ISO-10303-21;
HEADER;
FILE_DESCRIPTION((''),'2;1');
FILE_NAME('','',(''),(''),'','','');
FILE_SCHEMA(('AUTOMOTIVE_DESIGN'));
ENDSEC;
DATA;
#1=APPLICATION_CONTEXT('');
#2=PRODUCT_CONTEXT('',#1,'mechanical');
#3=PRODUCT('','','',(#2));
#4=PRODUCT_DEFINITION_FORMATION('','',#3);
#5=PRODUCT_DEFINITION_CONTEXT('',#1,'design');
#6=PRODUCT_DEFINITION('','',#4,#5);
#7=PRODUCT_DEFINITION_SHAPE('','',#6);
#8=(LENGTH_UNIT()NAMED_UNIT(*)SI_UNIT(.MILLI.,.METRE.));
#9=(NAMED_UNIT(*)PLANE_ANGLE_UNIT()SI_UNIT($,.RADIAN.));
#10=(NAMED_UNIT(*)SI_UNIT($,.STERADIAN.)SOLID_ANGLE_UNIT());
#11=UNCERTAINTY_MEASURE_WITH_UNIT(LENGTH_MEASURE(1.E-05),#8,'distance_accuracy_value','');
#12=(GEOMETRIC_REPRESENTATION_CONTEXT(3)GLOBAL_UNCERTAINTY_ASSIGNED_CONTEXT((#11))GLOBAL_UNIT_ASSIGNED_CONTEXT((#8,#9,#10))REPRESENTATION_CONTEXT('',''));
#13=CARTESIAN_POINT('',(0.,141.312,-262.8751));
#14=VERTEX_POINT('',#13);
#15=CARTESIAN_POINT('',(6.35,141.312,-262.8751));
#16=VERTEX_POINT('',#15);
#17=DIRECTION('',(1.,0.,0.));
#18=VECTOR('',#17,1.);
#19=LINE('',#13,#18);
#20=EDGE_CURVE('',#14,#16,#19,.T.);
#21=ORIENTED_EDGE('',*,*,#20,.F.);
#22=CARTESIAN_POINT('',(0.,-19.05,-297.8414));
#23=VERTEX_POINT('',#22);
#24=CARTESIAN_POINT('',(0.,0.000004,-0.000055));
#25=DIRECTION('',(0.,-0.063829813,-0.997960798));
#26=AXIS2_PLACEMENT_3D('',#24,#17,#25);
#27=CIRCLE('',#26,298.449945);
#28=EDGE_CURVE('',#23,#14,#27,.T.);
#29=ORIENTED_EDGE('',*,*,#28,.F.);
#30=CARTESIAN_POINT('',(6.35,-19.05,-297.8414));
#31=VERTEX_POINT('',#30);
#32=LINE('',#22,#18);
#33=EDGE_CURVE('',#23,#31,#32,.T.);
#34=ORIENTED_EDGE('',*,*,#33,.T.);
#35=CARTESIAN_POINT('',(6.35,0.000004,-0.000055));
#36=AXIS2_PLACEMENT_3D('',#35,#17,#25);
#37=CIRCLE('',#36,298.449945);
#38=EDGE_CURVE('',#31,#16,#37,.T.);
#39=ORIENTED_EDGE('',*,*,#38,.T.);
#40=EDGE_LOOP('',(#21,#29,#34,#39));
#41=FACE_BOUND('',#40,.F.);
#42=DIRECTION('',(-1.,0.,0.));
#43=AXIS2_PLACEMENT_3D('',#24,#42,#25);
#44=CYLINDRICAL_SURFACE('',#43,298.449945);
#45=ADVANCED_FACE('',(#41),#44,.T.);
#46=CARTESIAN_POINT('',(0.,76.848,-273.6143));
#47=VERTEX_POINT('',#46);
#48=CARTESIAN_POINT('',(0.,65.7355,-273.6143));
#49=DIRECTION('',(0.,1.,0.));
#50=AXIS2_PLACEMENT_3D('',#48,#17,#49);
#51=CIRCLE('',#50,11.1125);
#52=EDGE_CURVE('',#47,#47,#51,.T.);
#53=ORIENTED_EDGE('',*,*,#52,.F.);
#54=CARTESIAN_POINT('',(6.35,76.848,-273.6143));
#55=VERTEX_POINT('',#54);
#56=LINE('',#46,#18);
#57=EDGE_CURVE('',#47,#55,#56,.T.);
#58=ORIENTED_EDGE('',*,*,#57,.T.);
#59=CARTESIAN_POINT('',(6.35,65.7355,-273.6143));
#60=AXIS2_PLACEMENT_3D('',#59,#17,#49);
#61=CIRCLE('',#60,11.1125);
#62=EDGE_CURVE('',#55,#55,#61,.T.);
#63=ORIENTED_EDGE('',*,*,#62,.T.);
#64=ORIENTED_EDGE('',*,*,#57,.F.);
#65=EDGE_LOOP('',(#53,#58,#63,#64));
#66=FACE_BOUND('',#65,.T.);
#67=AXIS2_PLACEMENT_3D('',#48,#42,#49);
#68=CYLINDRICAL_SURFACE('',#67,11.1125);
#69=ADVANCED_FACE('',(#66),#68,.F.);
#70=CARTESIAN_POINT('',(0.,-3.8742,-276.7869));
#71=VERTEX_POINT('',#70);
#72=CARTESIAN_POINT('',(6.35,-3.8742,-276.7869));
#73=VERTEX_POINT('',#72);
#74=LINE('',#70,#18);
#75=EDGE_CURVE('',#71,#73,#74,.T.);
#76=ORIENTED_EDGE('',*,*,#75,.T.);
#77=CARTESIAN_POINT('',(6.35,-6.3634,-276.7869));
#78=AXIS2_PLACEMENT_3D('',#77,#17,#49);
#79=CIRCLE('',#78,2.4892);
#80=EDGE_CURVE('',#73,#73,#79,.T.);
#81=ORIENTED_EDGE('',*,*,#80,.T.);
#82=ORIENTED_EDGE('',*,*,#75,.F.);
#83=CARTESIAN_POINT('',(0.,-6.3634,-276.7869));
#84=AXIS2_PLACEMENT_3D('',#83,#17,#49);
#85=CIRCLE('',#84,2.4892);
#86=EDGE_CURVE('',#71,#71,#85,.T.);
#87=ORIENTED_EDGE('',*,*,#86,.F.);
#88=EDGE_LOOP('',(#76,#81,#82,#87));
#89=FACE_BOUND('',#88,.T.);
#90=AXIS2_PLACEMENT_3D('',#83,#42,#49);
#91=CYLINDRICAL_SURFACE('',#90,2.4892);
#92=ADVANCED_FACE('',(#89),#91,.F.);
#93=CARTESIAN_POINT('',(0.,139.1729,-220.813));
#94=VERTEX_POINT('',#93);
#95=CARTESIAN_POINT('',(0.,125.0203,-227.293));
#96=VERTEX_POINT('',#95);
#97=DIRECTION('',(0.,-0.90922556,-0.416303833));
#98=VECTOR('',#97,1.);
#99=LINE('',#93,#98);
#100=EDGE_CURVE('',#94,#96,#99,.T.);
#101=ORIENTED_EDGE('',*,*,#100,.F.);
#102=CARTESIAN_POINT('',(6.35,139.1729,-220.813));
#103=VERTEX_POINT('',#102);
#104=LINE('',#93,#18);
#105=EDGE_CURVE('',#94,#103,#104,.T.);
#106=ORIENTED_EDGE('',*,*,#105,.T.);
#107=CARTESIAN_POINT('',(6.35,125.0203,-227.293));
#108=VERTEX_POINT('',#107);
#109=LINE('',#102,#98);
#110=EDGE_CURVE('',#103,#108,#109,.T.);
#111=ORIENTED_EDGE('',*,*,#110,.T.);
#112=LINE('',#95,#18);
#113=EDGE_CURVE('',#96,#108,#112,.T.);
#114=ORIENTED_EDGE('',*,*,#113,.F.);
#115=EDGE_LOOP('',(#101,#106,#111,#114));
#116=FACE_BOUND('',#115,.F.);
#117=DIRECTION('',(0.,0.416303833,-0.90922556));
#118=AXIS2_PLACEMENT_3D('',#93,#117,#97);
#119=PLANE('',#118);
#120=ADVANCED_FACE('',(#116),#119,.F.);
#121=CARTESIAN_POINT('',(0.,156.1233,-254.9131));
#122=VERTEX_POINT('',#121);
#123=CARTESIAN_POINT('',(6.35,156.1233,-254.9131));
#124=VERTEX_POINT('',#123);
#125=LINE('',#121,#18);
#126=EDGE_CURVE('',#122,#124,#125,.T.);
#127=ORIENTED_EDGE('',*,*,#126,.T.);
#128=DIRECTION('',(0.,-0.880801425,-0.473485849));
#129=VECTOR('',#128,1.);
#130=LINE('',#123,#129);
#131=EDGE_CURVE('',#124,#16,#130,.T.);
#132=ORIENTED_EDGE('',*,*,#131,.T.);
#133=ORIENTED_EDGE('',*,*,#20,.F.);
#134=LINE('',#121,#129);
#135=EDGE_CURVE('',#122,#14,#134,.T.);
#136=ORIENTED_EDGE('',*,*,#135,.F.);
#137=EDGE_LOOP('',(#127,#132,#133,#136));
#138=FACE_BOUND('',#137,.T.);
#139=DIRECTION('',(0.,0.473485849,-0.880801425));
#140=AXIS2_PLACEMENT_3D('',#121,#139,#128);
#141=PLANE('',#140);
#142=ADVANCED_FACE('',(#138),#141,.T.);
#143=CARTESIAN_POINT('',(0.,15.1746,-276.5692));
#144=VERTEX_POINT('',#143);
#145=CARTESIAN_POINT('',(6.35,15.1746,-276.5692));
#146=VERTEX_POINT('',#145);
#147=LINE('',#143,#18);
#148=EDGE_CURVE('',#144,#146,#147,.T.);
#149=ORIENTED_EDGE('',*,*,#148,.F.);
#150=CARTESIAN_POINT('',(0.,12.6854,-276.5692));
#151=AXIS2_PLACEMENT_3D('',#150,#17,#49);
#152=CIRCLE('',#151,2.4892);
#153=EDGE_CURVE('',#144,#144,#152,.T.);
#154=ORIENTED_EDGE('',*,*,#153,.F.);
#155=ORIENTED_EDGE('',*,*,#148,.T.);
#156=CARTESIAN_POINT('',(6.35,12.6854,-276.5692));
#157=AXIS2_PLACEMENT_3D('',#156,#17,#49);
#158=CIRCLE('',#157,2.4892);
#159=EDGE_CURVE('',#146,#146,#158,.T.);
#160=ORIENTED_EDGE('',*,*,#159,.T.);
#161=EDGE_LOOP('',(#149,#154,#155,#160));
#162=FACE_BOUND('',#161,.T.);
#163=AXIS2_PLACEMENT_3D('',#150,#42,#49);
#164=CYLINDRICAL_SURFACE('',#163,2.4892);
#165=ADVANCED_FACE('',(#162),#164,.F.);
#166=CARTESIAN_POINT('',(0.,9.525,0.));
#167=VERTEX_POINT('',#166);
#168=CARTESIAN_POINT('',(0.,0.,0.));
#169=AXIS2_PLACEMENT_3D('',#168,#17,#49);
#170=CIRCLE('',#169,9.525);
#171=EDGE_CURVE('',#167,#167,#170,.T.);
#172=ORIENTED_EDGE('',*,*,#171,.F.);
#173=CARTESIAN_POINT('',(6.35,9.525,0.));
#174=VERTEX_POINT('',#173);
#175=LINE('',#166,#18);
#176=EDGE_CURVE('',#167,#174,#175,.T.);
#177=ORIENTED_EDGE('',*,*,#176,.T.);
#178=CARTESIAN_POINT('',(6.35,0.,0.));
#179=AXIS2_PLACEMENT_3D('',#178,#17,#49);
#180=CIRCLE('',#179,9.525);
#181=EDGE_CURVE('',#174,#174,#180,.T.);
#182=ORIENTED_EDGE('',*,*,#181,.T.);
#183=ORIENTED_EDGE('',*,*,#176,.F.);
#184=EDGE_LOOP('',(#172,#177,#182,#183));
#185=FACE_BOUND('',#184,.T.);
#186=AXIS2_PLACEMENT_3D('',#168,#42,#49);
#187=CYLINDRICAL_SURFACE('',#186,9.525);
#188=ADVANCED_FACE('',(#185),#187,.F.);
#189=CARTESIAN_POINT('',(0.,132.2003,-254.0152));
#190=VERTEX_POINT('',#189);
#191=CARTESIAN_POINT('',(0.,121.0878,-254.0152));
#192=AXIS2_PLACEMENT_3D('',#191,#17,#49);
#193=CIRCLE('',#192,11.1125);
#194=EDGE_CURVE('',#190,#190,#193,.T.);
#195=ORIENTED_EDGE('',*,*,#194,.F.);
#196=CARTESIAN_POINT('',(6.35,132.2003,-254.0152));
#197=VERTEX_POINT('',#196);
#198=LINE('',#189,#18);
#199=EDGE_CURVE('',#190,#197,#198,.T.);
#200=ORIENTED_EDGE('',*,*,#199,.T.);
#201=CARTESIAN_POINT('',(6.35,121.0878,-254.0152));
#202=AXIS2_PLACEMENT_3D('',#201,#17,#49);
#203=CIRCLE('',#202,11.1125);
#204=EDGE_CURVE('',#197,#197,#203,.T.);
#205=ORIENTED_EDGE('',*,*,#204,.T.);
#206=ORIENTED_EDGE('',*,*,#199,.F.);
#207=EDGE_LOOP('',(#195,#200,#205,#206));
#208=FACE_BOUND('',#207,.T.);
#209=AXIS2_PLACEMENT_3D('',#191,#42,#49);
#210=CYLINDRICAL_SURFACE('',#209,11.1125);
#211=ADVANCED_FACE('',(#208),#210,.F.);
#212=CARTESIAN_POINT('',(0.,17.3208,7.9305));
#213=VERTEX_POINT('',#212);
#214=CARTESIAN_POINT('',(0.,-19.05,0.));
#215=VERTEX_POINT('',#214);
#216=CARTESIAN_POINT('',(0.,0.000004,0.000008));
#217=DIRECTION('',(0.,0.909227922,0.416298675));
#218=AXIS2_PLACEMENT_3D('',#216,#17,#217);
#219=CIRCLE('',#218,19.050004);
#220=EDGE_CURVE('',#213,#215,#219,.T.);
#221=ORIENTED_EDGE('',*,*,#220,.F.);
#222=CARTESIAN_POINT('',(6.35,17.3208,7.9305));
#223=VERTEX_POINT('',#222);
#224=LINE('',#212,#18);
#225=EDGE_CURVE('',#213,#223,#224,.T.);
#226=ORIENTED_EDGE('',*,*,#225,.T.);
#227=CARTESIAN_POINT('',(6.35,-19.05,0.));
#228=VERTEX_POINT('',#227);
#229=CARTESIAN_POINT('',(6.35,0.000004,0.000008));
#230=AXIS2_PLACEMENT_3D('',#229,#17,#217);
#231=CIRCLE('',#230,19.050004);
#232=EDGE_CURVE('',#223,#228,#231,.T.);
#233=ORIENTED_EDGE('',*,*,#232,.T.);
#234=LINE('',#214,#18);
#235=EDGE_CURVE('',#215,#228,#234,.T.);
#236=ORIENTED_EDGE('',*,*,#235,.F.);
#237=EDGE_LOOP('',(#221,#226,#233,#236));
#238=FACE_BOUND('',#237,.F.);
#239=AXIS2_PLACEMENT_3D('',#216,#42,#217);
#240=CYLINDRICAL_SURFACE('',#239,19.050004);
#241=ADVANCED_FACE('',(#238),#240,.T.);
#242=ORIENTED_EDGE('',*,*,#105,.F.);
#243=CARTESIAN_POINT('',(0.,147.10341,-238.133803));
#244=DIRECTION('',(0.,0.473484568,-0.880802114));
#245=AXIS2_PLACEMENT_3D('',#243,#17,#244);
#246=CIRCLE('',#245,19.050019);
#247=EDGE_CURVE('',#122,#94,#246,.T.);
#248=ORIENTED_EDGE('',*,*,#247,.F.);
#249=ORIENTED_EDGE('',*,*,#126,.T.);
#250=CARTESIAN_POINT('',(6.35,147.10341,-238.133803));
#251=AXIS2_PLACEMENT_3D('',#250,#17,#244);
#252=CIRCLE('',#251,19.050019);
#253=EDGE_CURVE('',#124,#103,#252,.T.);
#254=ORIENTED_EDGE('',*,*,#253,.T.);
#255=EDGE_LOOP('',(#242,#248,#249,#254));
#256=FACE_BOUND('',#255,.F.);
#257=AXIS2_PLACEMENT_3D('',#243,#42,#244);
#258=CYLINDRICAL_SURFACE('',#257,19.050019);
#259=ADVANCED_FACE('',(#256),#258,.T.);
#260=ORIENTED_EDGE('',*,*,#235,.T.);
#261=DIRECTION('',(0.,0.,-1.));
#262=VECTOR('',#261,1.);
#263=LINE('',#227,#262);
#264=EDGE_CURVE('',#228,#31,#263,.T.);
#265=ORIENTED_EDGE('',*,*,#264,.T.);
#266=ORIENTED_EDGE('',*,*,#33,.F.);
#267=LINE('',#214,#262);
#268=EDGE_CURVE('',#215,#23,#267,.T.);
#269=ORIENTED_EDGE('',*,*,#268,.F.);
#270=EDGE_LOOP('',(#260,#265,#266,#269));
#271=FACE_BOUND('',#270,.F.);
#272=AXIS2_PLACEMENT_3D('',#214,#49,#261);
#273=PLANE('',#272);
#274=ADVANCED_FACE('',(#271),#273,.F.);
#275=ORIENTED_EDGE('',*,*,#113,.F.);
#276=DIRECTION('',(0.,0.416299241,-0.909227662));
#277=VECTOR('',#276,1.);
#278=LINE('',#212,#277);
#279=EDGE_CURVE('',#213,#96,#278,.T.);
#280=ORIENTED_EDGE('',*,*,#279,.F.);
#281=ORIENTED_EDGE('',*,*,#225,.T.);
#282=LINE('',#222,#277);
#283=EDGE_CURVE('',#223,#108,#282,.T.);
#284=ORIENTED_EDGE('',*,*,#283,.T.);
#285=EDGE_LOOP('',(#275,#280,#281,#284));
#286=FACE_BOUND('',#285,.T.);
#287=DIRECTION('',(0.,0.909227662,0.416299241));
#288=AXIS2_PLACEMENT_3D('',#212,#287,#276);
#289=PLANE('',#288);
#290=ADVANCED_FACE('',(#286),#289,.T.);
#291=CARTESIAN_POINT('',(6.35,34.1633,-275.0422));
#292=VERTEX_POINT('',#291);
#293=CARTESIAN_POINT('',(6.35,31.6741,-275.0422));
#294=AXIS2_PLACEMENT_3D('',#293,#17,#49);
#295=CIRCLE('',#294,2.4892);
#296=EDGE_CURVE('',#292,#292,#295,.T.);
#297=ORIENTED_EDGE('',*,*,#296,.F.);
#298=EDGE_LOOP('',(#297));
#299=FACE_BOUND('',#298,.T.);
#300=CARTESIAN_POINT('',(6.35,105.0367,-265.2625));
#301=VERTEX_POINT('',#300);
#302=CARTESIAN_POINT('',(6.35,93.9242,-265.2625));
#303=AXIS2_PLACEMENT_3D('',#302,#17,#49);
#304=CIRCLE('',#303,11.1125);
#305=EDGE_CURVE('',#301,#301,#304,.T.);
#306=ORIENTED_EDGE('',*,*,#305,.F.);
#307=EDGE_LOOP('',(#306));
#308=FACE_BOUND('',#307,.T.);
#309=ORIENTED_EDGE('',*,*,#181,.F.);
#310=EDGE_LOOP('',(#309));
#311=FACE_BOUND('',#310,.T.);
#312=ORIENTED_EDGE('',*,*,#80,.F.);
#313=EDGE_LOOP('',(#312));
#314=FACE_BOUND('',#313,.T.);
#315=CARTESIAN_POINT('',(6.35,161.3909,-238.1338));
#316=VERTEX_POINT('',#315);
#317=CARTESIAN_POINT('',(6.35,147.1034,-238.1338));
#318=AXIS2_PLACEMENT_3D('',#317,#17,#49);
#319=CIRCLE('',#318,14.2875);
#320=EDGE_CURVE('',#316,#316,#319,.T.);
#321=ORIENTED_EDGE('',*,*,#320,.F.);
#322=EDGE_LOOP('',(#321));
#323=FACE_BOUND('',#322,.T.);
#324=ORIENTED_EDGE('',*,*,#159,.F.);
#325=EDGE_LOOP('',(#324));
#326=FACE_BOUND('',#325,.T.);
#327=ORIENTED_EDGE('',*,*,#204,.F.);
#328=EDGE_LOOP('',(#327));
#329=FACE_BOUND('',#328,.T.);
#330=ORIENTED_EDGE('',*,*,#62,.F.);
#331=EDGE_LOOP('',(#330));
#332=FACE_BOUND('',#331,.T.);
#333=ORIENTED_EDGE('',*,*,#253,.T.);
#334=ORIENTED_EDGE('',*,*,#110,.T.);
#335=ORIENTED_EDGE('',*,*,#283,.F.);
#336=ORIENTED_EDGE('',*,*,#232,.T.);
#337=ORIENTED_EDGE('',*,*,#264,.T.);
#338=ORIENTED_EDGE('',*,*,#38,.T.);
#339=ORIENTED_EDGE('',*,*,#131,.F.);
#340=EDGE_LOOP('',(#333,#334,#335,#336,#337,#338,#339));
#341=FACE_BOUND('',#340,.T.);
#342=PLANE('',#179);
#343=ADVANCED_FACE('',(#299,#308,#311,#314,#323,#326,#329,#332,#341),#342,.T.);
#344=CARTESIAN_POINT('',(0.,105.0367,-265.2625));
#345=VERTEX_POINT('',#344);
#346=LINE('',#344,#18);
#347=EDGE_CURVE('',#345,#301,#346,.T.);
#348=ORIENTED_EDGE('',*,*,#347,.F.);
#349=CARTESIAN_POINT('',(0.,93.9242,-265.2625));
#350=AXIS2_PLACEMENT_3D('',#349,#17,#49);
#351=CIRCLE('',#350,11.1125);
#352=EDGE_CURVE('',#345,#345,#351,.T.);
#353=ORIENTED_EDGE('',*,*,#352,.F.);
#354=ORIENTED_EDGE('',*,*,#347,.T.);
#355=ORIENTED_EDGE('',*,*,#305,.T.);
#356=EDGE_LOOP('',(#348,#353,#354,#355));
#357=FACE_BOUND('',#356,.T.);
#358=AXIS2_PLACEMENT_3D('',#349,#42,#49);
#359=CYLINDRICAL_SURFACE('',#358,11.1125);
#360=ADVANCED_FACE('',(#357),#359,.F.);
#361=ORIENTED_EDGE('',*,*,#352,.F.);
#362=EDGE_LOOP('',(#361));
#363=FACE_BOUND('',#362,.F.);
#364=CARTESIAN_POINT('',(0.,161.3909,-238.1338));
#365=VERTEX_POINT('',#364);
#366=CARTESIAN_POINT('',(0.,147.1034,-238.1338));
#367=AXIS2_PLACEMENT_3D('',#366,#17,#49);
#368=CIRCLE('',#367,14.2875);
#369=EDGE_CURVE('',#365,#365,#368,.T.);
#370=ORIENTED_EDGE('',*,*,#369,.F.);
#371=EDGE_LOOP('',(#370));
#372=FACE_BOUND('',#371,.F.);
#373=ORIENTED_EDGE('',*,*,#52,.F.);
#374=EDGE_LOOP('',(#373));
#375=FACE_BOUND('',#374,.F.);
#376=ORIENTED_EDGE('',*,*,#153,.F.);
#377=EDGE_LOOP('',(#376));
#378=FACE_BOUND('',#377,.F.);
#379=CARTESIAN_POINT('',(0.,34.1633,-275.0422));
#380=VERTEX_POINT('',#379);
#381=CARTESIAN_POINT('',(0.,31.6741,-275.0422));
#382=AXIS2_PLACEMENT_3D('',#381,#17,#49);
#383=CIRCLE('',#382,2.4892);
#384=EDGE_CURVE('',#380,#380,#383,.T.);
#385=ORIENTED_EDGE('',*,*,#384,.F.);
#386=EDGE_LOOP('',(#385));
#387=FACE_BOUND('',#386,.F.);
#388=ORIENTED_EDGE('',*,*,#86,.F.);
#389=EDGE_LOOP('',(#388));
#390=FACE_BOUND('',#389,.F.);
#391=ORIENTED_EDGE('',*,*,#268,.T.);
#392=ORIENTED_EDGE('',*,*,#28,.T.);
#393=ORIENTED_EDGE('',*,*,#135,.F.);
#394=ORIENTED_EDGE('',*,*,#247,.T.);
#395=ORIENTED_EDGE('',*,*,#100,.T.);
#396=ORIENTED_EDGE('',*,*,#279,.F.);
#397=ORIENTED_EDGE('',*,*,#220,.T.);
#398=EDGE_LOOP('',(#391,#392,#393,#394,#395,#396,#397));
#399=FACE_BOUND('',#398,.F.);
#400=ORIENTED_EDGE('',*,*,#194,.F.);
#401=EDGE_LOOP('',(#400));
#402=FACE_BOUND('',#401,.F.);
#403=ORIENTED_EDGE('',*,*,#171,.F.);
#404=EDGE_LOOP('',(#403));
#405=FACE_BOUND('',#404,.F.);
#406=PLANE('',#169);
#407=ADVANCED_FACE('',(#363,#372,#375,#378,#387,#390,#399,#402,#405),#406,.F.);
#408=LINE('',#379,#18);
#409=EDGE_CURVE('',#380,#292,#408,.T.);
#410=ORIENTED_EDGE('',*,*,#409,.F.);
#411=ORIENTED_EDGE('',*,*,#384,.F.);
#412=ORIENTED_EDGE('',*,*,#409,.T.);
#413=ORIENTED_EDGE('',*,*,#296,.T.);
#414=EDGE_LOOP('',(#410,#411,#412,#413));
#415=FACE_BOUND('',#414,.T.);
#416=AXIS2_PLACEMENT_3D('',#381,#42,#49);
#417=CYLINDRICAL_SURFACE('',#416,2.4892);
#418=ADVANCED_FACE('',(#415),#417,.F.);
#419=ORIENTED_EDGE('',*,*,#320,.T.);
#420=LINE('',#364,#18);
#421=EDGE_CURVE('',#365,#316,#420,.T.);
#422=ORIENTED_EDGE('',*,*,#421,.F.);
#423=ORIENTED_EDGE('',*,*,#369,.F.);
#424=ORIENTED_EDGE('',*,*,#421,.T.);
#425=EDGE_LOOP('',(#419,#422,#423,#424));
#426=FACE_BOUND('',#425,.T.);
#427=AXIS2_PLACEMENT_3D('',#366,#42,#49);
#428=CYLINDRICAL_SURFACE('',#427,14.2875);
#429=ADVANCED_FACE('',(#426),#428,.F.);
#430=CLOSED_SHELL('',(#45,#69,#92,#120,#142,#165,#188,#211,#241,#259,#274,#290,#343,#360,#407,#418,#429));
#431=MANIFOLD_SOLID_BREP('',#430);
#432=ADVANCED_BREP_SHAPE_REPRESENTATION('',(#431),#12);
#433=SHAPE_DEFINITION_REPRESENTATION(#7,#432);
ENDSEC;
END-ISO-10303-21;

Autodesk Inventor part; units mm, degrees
ref_plane "YZ Plane" through (0, 0, 0) normal (1, 0, 0) x (0, 1, 0)
ref_plane "XZ Plane" through (0, 0, 0) normal (0, 1, 0) x (-1, 0, 0)
ref_plane "XY Plane" through (0, 0, 0) normal (0, 0, 1) x (1, 0, 0)
sketch "Sketch1" plane through (0, 0, 0) normal (1, 0, 0) x (0, 1, 0)
  circle A0 centre (0, 0) radius 9.525
  arc A1 (-25.1608, -265.5105) -> (128.0642, -233.9411) centre (0, 0) ccw construction
  arc A2 (17.3208, 7.9305) -> (-19.05, 0) centre (0, 0) ccw
  line L0 (-19.05, 0) -> (-19.05, -297.8414)
  circle A3 centre (121.0878, -254.0152) radius 14.7 construction
  circle A4 centre (93.9242, -265.2625) radius 14.7 construction
  circle A5 centre (65.7355, -273.6143) radius 14.7 construction
  circle A6 centre (121.0878, -254.0152) radius 11.1125
  circle A7 centre (93.9242, -265.2625) radius 11.1125
  circle A8 centre (65.7355, -273.6143) radius 11.1125
  circle A9 centre (121.0878, -254.0152) radius 12.7 construction
  circle A10 centre (93.9242, -265.2625) radius 12.7 construction
  circle A11 centre (65.7355, -273.6143) radius 12.7 construction
  line L1 (17.3208, 7.9305) -> (125.0203, -227.293)
  arc A12 (-19.05, -276.2038) -> (132.3042, -243.2017) centre (0, 0) ccw construction
  arc A13 (-19.05, -297.8414) -> (141.312, -262.8751) centre (0, 0) ccw
  circle A14 centre (31.6741, -275.0422) radius 2.4892
  circle A15 centre (12.6854, -276.5692) radius 2.4892
  circle A16 centre (-6.3634, -276.7869) radius 2.4892
  arc A17 (-19.05, -286.3871) -> (136.5435, -252.4606) centre (0, 0) ccw construction
  line L2 (0, 0) -> (8.0964, -266.5771) construction
  line L3 (8.4048, -276.7324) -> (8.7133, -286.8877) construction
  line L4 (8.4048, -276.7324) -> (8.0964, -266.5771) construction
  line L5 (51.0397, -273.9694) -> (31.6741, -275.0422) construction
  line L6 (48.6698, -262.2215) -> (54.4639, -293.4384) construction
  line L7 (48.6698, -262.2215) -> (0, 0) construction
  circle A18 centre (147.1034, -238.1338) radius 14.2875
  arc A19 (156.1233, -254.9131) -> (139.1729, -220.813) centre (147.1034, -238.1338) ccw
  line L8 (139.1729, -220.813) -> (125.0203, -227.293)
  line L9 (128.0642, -233.9411) -> (141.312, -262.8751) construction
  line L10 (125.0203, -227.293) -> (128.0642, -233.9411) construction
  line L11 (156.1233, -254.9131) -> (141.312, -262.8751)
  dimension "d0" = 19.05
  dimension "d1" = 266.7
  dimension "d3" = 22.225
  dimension "d4" = 25.4
  dimension "d5" = 2
  dimension "d8" = 9.525
  dimension "d10" = 31.75
  dimension "d11" = 4.9784
  dimension "d12" = 19.05
  dimension "d13" = 19.05
  dimension "d14" = 12.7
  dimension "d17" = 287.02
  dimension "d19" = 19.05
  dimension "d20" = 28.575
  dimension "d22" = 4.7625
  dimension "d24" = 30.48
extrude "Extrusion1" add sketch "Sketch1" along normal blind 6.35
equation "\"d1\" = BallSize + 0.5 * WheelSize - Compression"
equation "\"BallSize\" = 228.6"
equation "\"WheelSize\" = 101.6"
equation "\"Compression\" = 12.7"
properties part number "Shooter Side"
